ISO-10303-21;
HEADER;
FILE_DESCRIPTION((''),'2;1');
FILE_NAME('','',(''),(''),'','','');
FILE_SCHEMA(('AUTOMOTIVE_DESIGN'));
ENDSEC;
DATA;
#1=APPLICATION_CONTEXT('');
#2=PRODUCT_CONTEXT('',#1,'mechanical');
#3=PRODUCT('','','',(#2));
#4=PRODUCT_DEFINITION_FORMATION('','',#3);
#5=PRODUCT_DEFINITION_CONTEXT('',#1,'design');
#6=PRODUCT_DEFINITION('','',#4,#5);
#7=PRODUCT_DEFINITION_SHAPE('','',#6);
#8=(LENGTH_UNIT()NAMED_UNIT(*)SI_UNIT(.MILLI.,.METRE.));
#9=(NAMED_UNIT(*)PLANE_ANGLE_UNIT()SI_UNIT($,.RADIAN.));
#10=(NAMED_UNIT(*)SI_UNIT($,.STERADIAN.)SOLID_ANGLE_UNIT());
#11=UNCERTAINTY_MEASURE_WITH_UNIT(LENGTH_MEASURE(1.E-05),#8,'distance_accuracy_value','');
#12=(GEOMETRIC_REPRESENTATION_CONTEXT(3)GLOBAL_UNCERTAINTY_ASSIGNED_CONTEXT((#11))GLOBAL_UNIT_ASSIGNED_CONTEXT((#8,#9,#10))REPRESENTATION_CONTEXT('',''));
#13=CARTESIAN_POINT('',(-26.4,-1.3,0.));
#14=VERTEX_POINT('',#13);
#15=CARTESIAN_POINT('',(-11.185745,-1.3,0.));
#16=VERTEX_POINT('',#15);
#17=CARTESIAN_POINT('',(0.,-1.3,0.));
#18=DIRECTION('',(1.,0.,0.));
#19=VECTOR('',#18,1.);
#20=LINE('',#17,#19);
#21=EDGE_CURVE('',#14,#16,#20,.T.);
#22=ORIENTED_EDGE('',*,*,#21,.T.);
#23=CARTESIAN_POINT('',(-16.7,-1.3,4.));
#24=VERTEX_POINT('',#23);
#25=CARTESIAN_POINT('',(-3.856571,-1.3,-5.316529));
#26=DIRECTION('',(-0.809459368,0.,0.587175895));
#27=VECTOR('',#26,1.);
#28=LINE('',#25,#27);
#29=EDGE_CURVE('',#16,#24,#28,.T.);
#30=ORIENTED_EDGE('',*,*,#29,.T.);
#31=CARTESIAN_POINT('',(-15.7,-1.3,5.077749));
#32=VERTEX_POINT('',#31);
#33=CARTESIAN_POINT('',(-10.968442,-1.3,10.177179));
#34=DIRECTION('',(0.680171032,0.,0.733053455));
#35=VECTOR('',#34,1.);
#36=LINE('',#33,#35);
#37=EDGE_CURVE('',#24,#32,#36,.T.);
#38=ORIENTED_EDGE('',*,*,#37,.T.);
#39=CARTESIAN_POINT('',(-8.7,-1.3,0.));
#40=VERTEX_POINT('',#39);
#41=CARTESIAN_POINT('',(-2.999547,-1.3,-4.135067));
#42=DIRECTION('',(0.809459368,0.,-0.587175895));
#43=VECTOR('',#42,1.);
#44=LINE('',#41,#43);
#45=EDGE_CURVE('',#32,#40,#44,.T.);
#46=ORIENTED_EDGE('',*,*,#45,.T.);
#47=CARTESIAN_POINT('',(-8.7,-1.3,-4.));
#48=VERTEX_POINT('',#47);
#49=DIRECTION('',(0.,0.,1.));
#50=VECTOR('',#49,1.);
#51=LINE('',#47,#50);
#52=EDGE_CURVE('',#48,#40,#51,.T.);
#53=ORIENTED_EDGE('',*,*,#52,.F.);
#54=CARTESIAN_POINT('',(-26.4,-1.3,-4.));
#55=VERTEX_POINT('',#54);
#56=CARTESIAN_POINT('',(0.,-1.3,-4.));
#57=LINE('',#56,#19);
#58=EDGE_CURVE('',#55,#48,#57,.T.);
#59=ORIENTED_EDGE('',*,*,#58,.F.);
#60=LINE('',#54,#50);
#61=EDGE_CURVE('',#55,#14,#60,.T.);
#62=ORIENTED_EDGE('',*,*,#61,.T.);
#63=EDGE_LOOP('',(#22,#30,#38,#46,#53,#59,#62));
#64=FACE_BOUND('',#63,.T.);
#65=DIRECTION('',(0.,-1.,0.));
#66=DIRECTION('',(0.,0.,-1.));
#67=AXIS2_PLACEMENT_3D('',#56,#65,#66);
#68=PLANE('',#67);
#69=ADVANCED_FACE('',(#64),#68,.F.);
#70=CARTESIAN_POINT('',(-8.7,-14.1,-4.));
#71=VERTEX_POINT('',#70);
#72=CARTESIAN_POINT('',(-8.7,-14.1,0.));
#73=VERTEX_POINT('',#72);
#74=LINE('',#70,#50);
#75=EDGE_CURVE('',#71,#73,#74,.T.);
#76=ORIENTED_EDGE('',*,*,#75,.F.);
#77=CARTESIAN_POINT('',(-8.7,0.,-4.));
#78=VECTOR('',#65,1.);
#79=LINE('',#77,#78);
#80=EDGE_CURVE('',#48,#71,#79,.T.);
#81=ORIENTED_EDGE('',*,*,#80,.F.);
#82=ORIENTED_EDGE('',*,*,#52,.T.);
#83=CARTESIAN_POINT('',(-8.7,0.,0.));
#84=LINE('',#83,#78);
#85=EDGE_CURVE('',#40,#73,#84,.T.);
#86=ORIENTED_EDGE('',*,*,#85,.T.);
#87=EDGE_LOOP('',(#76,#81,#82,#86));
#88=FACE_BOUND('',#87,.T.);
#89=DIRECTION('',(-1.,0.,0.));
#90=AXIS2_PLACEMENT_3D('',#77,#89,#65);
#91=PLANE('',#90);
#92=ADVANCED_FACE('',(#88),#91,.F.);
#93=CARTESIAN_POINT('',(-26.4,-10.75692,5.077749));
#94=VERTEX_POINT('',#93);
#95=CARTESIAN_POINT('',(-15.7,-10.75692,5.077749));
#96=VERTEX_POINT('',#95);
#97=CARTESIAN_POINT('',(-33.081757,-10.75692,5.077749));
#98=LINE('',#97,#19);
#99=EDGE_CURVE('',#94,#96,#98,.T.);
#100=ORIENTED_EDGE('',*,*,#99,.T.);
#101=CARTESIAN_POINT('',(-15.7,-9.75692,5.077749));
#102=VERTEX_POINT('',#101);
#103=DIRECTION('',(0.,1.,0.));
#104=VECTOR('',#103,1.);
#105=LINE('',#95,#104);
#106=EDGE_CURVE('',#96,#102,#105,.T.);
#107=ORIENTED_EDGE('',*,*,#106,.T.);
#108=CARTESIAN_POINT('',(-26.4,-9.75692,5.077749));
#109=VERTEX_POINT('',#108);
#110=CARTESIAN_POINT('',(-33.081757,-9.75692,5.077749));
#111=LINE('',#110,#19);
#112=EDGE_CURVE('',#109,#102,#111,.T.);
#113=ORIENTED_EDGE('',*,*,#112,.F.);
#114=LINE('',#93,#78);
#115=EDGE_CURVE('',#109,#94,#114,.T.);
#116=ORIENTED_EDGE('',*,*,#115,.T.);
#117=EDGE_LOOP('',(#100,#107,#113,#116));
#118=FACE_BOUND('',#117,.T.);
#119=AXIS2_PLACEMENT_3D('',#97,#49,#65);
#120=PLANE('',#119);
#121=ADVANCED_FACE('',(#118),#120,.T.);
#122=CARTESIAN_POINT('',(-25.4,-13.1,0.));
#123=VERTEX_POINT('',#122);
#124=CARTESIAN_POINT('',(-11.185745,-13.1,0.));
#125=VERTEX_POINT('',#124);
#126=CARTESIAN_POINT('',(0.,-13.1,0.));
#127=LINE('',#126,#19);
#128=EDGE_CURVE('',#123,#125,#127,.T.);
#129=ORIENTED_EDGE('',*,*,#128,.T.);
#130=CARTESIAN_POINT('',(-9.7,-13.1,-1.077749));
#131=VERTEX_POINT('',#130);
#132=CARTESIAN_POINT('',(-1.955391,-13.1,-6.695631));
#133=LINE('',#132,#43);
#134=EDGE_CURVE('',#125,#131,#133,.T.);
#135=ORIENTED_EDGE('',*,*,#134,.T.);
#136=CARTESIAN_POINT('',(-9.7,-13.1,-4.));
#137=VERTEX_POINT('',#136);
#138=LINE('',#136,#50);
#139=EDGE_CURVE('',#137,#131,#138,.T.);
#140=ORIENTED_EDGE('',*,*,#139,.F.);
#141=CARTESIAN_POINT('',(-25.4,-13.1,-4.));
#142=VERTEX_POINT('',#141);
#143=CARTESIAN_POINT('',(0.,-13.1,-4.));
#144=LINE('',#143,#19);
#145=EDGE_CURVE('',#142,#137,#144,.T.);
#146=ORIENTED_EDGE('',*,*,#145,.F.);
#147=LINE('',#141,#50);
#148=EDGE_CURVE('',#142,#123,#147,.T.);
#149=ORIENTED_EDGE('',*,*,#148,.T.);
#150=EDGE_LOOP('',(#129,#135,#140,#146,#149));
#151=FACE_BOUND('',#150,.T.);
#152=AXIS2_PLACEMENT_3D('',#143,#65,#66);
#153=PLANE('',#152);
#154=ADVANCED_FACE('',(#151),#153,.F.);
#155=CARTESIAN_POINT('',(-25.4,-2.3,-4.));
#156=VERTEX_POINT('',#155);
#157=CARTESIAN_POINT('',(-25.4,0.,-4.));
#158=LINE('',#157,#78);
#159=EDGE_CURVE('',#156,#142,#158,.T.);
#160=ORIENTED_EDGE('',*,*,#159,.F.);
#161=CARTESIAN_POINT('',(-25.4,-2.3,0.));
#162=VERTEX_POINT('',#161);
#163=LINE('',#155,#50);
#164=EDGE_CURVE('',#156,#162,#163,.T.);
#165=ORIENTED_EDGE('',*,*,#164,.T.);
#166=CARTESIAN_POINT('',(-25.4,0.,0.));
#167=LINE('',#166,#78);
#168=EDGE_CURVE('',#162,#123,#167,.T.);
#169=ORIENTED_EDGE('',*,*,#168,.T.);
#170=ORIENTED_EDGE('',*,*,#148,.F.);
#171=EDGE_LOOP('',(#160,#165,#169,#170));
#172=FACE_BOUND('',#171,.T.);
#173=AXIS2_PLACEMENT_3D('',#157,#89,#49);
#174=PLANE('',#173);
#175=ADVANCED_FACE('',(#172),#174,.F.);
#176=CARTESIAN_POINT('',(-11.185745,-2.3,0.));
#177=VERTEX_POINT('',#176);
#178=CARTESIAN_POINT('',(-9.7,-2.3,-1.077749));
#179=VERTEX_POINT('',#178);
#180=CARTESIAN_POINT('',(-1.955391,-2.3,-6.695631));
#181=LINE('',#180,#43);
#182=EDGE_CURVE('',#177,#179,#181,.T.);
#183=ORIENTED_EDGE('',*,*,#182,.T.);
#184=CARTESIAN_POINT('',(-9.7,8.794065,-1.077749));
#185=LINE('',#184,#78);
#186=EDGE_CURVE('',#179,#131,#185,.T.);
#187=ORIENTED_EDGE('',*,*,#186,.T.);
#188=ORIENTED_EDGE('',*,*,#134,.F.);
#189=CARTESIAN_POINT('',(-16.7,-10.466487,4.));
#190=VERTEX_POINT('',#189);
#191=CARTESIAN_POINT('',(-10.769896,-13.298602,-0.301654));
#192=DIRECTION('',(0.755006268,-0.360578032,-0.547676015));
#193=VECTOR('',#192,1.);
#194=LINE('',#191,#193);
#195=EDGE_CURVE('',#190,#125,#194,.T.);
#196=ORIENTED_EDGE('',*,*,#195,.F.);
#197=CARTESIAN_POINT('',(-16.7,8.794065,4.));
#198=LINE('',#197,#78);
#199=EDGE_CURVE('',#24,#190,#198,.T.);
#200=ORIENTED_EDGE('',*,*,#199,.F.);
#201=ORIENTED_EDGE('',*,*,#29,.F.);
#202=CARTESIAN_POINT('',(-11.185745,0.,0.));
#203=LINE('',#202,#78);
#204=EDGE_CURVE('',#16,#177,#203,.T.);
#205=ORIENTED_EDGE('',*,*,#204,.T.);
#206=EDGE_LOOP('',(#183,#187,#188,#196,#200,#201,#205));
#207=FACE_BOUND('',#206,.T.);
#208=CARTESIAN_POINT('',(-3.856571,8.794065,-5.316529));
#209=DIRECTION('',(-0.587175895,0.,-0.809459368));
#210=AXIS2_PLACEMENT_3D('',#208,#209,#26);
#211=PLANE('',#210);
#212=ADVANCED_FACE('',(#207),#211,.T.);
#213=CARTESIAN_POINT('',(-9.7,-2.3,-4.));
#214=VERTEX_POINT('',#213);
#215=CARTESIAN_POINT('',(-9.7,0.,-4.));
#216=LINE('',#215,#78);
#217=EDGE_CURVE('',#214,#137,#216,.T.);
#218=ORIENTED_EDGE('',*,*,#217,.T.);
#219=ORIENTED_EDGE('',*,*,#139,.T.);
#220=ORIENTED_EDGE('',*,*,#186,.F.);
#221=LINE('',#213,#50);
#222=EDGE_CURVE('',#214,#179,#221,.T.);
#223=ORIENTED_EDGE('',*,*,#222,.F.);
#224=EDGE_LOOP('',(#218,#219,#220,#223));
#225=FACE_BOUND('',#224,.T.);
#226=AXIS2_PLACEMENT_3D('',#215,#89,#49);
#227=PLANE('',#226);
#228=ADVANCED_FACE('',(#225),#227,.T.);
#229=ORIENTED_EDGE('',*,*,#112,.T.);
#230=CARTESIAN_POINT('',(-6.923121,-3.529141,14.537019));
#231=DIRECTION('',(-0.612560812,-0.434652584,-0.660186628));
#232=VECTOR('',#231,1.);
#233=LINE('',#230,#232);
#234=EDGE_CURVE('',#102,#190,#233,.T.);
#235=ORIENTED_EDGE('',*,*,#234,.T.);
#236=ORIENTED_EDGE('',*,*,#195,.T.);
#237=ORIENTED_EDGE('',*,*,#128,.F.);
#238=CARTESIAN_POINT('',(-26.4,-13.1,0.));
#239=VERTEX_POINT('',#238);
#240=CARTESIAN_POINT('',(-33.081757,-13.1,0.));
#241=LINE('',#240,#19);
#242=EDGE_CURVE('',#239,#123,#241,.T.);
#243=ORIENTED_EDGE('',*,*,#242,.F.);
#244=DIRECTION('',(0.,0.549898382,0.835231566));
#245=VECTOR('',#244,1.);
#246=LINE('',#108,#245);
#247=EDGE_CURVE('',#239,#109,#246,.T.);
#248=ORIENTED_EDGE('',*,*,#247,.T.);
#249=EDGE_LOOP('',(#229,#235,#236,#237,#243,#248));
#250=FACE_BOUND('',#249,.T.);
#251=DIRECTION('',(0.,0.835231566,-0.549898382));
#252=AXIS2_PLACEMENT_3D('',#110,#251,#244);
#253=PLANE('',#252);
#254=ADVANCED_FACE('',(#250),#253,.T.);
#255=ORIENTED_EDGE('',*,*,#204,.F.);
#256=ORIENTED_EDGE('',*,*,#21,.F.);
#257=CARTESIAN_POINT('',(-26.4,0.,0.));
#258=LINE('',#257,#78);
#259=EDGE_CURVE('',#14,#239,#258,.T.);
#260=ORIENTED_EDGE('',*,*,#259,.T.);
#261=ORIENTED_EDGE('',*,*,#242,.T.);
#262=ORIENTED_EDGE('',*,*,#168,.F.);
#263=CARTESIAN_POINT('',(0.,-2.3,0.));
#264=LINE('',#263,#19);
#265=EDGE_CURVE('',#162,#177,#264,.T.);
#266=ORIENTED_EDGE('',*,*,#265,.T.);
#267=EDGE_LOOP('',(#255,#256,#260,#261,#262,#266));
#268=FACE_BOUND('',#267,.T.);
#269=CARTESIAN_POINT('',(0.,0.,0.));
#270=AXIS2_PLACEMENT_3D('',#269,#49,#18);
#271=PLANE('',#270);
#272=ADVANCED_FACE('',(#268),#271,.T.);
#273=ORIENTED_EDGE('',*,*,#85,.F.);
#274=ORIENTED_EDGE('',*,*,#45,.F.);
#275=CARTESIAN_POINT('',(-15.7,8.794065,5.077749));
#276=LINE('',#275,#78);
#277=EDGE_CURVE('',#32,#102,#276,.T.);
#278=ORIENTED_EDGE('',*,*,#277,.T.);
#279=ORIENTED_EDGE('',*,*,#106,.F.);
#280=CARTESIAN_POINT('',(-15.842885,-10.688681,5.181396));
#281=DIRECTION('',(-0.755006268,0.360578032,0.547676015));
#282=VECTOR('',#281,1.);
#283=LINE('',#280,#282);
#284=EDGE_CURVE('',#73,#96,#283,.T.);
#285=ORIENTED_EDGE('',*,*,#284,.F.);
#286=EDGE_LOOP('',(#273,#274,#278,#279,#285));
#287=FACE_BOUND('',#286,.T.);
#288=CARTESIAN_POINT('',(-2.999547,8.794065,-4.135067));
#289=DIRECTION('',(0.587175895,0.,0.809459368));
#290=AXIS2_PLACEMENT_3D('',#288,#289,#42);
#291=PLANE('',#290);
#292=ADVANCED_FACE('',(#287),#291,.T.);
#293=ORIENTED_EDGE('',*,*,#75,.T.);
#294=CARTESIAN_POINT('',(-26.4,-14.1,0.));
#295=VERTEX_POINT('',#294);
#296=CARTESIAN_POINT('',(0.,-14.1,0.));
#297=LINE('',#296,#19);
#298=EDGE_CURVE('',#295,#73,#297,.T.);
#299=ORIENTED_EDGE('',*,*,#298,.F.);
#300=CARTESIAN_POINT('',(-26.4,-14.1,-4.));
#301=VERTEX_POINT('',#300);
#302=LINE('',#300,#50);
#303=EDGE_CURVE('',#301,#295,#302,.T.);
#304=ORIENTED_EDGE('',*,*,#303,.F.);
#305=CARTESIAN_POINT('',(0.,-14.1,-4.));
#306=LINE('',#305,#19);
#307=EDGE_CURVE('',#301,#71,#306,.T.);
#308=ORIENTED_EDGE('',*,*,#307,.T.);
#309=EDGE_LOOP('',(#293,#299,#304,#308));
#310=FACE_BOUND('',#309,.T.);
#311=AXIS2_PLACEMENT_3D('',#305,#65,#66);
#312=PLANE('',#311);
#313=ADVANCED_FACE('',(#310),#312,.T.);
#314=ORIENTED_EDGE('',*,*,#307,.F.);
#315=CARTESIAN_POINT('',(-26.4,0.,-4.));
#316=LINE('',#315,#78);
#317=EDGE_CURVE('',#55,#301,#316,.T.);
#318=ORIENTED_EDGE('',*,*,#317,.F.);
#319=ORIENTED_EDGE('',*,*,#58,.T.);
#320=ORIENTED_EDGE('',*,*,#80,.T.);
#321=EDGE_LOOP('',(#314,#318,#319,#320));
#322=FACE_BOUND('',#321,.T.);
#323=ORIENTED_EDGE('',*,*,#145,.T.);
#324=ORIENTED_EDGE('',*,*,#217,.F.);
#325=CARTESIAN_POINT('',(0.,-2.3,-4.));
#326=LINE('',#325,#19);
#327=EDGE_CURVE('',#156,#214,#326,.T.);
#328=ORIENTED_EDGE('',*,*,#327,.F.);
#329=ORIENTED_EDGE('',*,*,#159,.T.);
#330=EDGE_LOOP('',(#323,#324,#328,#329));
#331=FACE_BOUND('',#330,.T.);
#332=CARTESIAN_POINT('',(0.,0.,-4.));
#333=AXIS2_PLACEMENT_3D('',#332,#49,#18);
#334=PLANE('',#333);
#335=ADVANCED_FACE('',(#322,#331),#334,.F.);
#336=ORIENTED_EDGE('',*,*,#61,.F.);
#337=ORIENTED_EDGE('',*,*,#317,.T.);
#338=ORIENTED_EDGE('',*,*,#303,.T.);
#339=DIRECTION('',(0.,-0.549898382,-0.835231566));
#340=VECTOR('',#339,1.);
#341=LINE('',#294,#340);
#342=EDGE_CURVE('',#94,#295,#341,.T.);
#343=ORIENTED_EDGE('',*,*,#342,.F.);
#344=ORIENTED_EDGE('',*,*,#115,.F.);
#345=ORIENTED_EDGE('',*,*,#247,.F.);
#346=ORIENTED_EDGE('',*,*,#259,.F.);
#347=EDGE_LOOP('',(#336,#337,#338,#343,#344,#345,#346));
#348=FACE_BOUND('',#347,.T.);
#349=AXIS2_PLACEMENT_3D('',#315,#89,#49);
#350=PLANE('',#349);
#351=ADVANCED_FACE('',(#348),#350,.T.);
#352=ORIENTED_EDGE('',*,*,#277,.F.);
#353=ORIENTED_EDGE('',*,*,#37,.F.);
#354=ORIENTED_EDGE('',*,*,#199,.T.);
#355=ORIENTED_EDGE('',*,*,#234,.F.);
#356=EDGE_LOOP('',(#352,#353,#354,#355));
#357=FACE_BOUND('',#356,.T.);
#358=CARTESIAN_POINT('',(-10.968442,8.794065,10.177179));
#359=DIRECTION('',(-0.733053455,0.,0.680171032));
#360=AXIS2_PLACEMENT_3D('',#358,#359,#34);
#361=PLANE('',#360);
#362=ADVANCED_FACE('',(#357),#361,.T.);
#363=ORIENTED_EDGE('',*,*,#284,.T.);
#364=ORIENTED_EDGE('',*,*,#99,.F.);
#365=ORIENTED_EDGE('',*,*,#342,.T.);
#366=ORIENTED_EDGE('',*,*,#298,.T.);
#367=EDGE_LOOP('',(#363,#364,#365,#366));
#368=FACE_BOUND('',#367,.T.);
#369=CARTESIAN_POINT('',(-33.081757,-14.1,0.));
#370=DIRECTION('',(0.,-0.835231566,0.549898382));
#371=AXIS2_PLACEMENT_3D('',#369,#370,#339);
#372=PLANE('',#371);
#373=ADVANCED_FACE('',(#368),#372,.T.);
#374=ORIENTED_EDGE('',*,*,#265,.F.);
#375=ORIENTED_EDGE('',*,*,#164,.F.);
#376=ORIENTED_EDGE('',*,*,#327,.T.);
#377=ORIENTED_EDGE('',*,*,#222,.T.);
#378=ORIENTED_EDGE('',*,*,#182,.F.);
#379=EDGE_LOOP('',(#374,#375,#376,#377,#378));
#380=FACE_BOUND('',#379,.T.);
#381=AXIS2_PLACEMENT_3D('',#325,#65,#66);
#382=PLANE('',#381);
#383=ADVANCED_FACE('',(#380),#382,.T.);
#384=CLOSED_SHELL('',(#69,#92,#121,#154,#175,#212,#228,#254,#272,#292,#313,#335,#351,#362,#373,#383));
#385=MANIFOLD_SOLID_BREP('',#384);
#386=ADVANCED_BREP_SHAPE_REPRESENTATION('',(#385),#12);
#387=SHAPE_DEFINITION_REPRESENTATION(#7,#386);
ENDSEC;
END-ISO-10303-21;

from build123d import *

# Parameters (mm, degrees)
SKETCH1_W           = 17.7
SKETCH1_H           = 12.8
SKETCH1_W_2         = 15.7
SKETCH1_H_2         = 10.8
BOSS_EXTRUDE1_DEPTH = 4
BOSS_EXTRUDE2_DEPTH = 12.8
BOSS_EXTRUDE3_DEPTH = 17.7
CUT_EXTRUDE1_DEPTH  = 18.7
CUT_EXTRUDE3_REACH  = 19.7


with BuildPart() as part:
    # Sketch1 → Boss-Extrude1 (new body)
    with BuildSketch(Plane.XY):
        with Locations((-17.55, -7.7)):
            Rectangle(SKETCH1_W, SKETCH1_H)
        with Locations((-17.55, -7.7)):
            Rectangle(SKETCH1_W_2, SKETCH1_H_2, mode=Mode.SUBTRACT)
    extrude(amount=-BOSS_EXTRUDE1_DEPTH)

    # Sketch7 → Boss-Extrude2 (add)
    with BuildSketch(Plane.XZ.offset(14.1)):
        Polygon((-8.7, 0), (-15.7, 5.077748715), (-16.7, 4), (-9.7, -1.077748715), align=None)
    extrude(amount=-BOSS_EXTRUDE2_DEPTH)

    # Sketch11 → Boss-Extrude3 (add)
    with BuildSketch(Plane(origin=(-8.7, 0, -8.7), x_dir=(0, 0, 1), z_dir=(1, 0, 0))):
        Polygon((8.7, 13.1), (8.7, 14.1), (13.777748715, 10.756920169), (13.777748715, 9.756920169), align=None)
    extrude(amount=-BOSS_EXTRUDE3_DEPTH)

    # Sketch13 → Cut-Extrude1 (cut, through all)
    with BuildSketch(Plane(origin=(-8.7, 0, 0), x_dir=(0, 0, -1), z_dir=(1, 0, 0))):
        Polygon((-5.077748715, -10.756920169), (-5.077748715, -15.295870945), (0, -14.1), align=None)
    extrude(amount=-CUT_EXTRUDE1_DEPTH, mode=Mode.SUBTRACT)

    # Cut-Extrude3: up to this face of the body (flat: up to its plane)
    cut_extrude3_end = Plane(part.part.faces().sort_by_distance((-12.007460376, -6.410206852, 2.399207524))[0])
    # Sketch11<3> → Cut-Extrude3 (cut, up to the picked face)
    with BuildSketch(Plane(origin=(-8.7, 0, -8.7), x_dir=(0, 0, 1), z_dir=(1, 0, 0)), mode=Mode.PRIVATE) as cut_extrude3_sk1:
        Polygon((8.7, 13.1), (8.7, 14.1), (13.777748715, 10.756920169), (13.777748715, 9.756920169), align=None)
    cut_extrude3_tool1 = split(extrude(cut_extrude3_sk1.sketch, amount=-CUT_EXTRUDE3_REACH, mode=Mode.PRIVATE), bisect_by=cut_extrude3_end, keep=Keep.BOTH, mode=Mode.PRIVATE)
    add(cut_extrude3_tool1.solids().sort_by_distance((-8.7, -11.92846, 2.538874))[0], mode=Mode.SUBTRACT)


solid = part.part
